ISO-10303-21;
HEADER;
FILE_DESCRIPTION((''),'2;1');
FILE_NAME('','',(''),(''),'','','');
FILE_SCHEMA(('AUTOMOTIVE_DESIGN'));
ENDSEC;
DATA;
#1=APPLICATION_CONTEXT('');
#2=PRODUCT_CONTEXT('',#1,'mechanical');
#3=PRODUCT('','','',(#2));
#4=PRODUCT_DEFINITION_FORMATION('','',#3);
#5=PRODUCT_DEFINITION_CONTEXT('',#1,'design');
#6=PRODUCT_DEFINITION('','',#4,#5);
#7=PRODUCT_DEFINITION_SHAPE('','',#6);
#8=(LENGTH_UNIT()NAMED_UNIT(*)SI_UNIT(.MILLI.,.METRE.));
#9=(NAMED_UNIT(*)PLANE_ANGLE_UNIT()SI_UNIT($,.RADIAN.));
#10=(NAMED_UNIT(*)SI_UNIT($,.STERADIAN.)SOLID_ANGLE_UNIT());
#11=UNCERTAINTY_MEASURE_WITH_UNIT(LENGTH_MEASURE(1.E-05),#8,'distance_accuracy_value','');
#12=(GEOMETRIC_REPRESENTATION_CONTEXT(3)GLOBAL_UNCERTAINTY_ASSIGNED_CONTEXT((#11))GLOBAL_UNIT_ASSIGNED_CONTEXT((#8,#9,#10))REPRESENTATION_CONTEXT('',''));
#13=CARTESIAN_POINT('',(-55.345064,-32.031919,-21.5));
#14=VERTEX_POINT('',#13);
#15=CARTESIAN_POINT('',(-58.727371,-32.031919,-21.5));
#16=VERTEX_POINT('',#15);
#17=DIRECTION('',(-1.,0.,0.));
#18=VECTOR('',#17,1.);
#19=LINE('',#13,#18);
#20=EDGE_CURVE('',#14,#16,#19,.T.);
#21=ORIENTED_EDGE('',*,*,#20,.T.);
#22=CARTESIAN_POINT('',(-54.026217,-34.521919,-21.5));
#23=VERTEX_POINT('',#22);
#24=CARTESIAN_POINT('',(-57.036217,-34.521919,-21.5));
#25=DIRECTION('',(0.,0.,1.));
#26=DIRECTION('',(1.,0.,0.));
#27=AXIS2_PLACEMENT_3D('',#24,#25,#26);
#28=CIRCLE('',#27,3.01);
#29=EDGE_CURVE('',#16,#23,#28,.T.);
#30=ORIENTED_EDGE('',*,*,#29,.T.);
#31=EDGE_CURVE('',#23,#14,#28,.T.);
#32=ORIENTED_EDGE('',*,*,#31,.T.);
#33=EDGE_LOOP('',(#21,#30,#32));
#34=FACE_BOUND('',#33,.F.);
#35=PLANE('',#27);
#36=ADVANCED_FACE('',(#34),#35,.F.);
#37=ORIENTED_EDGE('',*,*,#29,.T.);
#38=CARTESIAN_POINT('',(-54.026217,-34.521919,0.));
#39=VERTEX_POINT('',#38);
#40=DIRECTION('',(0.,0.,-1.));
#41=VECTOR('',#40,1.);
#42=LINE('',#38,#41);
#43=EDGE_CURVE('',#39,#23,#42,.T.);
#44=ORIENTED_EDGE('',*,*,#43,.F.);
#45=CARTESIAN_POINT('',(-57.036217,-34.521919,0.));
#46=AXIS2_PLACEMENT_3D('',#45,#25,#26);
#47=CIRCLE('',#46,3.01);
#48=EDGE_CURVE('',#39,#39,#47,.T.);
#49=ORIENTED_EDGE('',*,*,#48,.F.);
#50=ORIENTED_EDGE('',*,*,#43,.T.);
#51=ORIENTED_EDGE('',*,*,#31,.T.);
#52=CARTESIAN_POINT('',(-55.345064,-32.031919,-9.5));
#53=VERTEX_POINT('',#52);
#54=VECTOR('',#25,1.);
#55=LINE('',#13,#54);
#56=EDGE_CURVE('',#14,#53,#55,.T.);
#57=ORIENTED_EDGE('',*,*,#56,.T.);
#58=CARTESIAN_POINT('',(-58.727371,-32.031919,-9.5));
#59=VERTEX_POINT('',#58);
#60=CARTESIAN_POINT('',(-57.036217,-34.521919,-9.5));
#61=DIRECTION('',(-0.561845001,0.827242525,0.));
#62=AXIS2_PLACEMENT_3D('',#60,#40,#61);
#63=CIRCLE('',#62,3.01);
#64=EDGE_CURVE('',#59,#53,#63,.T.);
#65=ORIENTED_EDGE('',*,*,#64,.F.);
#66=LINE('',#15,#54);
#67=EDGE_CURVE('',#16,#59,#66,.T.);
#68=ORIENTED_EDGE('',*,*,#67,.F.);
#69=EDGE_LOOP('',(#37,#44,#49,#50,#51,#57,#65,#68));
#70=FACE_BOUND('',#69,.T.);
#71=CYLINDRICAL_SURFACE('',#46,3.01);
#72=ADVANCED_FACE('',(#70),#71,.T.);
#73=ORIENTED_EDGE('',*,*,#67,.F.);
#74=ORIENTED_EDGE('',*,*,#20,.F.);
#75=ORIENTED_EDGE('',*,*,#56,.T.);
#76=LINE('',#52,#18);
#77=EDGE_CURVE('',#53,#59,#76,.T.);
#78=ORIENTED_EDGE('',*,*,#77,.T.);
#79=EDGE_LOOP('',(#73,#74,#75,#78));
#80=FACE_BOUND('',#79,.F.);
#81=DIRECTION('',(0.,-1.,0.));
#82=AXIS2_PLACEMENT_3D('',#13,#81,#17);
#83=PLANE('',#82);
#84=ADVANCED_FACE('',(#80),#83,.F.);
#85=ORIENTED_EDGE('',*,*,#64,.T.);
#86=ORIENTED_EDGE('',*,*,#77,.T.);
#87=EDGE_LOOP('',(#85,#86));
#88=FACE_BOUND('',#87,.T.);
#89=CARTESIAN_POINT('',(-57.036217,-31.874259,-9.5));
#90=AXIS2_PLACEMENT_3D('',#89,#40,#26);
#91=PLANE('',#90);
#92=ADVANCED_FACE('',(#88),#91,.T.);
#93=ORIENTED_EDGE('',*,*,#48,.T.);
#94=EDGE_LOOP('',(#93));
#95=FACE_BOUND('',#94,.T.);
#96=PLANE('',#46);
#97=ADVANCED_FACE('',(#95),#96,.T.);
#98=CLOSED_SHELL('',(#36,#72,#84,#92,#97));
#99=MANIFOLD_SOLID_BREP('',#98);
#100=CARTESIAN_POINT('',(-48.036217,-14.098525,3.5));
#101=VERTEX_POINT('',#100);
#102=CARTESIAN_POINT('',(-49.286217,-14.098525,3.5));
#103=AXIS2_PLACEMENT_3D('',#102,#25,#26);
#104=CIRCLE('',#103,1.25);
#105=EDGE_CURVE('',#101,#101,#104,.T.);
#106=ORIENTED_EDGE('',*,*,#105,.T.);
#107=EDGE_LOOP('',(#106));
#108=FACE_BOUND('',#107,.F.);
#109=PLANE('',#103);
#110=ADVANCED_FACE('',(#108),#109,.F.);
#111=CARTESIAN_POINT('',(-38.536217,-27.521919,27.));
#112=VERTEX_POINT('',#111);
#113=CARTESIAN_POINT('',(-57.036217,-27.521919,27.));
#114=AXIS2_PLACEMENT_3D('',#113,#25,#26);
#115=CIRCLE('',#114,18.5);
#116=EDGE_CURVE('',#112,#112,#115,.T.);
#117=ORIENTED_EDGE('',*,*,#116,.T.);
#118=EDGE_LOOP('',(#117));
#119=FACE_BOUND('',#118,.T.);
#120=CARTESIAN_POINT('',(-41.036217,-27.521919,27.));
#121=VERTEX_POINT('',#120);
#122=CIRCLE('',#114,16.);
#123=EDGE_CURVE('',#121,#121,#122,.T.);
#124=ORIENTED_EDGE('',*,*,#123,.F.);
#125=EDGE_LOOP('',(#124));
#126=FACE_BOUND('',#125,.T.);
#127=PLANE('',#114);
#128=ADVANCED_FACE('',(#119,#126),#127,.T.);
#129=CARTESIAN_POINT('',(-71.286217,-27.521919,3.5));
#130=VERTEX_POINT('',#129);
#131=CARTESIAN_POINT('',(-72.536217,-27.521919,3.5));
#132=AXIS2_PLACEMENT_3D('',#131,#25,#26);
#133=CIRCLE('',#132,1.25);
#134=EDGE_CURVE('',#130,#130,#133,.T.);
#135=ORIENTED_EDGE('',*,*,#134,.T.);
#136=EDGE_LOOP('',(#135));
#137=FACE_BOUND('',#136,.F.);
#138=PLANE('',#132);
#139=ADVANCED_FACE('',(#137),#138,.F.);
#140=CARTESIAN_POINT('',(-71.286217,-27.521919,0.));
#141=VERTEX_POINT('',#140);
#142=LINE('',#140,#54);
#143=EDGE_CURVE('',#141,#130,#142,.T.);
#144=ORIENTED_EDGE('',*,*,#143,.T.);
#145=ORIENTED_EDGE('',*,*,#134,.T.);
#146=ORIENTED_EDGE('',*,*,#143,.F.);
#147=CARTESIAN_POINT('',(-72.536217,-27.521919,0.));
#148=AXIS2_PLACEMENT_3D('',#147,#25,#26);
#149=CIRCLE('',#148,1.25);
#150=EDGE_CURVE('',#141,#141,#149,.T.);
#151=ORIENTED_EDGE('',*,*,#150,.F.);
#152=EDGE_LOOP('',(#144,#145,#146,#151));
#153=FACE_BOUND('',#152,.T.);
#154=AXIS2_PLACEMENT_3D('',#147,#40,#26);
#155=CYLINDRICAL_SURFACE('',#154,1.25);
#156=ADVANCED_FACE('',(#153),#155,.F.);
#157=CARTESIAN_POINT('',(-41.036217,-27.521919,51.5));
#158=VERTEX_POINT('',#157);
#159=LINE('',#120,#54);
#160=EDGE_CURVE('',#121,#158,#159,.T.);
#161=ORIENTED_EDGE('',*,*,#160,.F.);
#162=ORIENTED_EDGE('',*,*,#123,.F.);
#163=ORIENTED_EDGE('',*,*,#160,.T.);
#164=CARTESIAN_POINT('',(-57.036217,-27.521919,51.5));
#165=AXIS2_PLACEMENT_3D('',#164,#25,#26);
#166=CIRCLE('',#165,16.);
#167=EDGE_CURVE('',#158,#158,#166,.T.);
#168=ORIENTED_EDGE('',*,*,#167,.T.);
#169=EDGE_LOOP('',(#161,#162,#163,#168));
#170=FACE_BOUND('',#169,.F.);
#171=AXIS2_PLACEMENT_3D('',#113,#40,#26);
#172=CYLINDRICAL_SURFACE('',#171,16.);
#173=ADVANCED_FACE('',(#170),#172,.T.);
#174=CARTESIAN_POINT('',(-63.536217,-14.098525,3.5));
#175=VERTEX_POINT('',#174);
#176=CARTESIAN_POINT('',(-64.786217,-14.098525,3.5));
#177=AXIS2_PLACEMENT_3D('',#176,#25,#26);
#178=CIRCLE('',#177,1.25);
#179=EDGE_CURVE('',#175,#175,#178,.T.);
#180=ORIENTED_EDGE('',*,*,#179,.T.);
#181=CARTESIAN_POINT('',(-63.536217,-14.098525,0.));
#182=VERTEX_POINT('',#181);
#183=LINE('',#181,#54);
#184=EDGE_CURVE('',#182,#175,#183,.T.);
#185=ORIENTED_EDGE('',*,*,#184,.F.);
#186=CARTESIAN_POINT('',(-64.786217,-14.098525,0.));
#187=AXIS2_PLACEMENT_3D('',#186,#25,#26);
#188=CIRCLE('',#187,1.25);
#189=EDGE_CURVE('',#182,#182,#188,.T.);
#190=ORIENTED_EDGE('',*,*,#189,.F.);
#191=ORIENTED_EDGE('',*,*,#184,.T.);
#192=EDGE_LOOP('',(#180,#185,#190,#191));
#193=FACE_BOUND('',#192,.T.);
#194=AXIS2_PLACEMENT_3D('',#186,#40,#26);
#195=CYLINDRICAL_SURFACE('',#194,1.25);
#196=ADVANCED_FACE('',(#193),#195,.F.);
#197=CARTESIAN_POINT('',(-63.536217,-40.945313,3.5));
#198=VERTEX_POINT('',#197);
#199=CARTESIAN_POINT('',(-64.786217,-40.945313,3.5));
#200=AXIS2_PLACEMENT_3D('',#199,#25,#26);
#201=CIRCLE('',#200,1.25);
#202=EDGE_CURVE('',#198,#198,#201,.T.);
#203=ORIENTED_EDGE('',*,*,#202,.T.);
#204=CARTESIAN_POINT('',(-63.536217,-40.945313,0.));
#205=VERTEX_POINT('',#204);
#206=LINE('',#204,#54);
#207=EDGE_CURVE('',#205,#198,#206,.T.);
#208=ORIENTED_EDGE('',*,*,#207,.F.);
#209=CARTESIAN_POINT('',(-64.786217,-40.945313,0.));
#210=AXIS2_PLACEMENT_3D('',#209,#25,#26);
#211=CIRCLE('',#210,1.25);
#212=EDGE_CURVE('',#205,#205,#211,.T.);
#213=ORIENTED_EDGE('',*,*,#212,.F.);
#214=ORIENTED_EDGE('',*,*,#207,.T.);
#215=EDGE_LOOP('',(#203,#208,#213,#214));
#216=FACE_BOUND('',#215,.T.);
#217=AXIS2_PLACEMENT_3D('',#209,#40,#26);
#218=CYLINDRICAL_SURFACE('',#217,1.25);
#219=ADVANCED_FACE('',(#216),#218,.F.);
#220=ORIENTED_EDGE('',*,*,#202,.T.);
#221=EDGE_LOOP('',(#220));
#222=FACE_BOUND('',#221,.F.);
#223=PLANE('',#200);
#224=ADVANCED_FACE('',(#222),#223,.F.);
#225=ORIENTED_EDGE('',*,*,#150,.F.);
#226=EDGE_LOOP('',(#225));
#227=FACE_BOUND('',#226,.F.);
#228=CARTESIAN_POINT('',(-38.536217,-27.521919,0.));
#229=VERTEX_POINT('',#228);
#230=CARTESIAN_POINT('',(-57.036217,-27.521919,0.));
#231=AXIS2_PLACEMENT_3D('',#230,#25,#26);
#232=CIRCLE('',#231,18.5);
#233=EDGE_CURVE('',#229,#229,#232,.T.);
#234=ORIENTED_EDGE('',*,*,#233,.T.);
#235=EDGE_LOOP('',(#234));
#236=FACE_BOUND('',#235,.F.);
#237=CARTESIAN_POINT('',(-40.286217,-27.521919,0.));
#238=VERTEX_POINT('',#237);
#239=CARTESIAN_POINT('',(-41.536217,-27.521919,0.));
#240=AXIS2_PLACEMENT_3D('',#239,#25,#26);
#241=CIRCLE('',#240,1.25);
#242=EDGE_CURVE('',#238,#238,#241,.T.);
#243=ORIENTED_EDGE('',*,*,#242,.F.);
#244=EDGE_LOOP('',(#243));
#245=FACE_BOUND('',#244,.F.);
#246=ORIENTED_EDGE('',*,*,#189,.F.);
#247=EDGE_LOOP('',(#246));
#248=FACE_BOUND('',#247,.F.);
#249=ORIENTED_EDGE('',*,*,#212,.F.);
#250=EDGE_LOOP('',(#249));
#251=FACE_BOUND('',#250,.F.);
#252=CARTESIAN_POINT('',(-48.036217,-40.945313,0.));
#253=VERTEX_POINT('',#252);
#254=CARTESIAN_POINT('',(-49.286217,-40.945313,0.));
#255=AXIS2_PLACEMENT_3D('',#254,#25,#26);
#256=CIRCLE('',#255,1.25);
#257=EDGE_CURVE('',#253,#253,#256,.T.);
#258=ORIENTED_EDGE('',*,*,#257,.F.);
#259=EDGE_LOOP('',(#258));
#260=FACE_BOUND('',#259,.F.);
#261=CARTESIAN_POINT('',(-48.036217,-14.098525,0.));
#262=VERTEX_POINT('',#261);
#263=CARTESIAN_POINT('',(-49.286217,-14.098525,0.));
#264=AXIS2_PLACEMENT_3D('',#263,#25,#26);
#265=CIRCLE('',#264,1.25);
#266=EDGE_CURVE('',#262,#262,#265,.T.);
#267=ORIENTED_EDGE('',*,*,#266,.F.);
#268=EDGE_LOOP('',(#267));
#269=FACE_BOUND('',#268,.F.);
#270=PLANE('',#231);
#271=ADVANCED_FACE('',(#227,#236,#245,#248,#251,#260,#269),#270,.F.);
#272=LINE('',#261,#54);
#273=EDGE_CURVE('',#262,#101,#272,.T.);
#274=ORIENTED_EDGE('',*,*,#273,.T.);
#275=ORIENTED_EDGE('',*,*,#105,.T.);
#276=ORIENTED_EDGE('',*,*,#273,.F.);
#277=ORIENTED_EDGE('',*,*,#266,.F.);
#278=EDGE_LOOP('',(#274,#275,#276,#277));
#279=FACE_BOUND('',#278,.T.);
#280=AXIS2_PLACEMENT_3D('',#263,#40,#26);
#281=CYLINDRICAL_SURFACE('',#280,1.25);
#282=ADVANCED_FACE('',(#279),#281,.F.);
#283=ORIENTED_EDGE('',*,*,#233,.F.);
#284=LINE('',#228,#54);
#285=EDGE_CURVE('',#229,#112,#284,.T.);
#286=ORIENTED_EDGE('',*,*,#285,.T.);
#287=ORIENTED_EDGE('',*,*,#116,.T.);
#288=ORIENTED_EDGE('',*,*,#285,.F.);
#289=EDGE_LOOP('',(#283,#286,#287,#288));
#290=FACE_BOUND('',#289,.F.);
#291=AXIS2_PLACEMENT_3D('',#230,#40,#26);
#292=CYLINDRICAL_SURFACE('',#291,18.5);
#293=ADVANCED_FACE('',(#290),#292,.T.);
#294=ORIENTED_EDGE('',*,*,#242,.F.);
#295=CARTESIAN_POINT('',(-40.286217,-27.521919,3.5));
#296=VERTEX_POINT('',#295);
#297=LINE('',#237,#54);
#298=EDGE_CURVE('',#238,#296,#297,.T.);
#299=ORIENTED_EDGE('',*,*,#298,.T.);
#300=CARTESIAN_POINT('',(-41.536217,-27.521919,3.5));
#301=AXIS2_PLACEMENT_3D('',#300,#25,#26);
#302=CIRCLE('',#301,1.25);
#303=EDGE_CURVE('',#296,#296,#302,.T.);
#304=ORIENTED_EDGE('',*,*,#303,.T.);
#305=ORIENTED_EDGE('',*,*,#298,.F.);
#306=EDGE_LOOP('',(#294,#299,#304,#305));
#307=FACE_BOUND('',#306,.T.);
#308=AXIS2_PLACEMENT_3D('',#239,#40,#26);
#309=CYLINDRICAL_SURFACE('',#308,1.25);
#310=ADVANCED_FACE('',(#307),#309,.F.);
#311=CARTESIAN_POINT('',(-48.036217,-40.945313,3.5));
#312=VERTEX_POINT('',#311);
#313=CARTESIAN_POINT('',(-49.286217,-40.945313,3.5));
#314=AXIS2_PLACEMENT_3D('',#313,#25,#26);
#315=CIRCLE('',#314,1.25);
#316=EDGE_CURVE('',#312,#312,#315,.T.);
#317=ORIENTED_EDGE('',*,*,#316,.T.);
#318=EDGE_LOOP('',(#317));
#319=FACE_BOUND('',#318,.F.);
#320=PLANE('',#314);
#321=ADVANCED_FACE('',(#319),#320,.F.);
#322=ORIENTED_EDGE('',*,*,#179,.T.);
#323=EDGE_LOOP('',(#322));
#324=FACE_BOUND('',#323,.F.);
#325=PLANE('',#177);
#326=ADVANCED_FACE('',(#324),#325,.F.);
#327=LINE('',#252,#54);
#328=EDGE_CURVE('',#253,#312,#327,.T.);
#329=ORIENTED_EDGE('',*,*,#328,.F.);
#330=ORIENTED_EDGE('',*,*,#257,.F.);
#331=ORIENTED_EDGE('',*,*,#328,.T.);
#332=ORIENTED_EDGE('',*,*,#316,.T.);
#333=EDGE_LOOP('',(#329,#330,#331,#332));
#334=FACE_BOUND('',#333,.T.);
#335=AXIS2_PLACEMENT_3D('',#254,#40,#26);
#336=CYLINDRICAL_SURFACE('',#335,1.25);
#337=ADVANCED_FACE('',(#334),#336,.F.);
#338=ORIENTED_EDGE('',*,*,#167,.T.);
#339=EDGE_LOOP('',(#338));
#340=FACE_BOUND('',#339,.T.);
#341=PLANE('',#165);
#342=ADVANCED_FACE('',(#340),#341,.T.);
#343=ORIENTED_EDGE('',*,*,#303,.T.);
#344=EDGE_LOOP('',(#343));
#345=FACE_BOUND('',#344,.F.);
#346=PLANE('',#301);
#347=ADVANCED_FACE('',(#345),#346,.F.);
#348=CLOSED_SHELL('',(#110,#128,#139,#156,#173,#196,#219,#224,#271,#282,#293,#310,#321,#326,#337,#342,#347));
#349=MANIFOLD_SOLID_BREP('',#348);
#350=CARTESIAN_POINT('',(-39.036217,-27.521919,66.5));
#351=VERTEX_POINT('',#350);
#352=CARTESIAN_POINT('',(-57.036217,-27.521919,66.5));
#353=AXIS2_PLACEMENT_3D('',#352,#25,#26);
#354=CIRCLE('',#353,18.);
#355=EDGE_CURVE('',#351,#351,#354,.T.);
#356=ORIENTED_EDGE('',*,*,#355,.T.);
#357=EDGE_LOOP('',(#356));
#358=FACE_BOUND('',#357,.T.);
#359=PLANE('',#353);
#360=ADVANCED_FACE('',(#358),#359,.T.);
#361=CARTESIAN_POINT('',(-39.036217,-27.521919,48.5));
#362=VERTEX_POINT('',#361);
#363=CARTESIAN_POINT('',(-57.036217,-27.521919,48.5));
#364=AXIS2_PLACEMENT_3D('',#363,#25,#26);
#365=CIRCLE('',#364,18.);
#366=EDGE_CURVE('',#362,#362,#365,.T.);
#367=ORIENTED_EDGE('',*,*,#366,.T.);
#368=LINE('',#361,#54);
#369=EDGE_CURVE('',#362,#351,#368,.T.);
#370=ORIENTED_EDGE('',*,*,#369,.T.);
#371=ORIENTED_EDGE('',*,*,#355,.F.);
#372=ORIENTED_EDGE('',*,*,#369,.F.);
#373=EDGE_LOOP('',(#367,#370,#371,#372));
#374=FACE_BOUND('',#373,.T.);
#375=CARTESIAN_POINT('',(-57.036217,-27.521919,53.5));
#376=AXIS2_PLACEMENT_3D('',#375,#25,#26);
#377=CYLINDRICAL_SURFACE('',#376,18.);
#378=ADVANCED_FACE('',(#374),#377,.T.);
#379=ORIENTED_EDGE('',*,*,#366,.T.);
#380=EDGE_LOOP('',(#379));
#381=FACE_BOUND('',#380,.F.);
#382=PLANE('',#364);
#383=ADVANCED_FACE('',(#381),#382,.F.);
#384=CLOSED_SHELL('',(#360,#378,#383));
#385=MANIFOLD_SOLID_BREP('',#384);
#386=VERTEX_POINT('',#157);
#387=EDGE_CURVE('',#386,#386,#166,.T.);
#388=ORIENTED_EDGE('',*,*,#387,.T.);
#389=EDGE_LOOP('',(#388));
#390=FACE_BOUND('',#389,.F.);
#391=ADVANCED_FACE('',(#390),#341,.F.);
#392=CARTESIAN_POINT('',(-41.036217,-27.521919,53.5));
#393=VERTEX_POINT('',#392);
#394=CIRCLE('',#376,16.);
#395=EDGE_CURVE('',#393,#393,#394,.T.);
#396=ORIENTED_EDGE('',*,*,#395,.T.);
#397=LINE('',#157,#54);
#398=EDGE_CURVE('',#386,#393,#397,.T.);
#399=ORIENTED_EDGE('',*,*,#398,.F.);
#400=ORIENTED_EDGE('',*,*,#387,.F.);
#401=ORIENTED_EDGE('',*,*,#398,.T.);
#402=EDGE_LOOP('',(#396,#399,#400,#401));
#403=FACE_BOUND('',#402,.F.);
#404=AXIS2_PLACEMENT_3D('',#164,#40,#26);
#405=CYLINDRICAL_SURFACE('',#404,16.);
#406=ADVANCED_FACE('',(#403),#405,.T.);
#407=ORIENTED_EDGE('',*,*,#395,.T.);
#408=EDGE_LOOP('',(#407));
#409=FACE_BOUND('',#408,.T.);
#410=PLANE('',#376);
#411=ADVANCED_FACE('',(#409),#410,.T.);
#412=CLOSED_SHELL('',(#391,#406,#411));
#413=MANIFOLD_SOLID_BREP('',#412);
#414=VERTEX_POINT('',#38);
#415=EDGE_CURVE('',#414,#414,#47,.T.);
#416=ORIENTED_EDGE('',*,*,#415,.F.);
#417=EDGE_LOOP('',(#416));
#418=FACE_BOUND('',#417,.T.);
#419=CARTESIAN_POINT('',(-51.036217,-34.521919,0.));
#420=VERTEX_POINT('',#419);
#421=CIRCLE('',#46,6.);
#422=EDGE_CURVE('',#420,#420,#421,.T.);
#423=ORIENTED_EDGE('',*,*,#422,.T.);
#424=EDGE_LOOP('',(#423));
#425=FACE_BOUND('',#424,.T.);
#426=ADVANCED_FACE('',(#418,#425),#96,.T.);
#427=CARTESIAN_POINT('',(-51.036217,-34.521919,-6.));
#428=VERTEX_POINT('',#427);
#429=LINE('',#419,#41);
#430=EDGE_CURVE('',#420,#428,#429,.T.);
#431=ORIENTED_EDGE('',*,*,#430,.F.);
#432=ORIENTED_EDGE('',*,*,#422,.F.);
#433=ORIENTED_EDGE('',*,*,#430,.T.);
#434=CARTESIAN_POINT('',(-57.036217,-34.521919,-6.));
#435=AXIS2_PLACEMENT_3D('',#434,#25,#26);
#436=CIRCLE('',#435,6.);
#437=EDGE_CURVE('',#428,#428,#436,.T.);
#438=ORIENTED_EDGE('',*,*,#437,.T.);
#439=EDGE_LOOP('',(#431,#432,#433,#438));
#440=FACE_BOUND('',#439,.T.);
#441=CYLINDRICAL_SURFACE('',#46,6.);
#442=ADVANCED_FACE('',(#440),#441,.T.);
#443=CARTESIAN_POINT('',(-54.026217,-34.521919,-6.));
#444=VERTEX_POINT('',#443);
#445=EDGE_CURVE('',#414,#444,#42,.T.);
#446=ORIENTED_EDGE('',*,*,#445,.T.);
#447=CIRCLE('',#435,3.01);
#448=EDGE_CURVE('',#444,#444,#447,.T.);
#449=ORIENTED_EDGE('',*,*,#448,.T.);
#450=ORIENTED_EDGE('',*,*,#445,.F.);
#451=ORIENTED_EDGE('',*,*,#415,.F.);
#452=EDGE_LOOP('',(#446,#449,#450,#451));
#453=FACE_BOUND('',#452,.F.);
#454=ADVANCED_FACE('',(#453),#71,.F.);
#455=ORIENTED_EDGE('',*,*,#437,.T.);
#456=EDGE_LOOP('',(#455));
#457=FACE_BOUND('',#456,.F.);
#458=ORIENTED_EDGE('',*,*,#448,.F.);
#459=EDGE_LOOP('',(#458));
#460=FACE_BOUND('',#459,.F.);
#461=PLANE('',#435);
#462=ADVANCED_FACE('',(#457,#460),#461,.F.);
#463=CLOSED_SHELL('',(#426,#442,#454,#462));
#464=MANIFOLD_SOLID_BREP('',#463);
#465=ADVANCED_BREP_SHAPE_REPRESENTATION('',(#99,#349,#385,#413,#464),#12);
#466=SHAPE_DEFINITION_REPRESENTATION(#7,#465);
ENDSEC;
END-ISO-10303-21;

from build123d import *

# Parameters (mm, degrees)
F0_R           = 3.01
F1_DEPTH       = 21.5
F0_R_2         = 6
F2_DEPTH       = 6
F0_R_3         = 18.5
F0_R_4         = 1.25
F3_DEPTH       = 27
F4_DEPTH       = 3.5
F7_DEPTH       = 12
F8_R           = 16
F9_DEPTH       = 24.5
F10_R          = 16
F11_DEPTH      = 2
F12_R          = 18
F13_DEPTH      = 13
F13_DEPTH_BACK = 5


with BuildPart() as f1:
    # F0 (on Top) → F1 (new body)
    with BuildSketch(Plane.XY):
        with Locations((-57.0362173021, -34.5219187438)):
            Circle(F0_R)
    extrude(amount=-F1_DEPTH)

    # F6 (on face) → F7 (cut)
    with BuildSketch(Plane(origin=(0, 0, -21.5), x_dir=(1, 0, 0), z_dir=(0, 0, -1))):
        with BuildLine():
            Line((-55.3450638496, 32.0319187438), (-58.7273707546, 32.0319187438))
            ThreePointArc((-58.7273707546, 32.0319187438), (-57.0362173021, 31.5119187438), (-55.3450638496, 32.0319187438))
        make_face()
    extrude(amount=-F7_DEPTH, mode=Mode.SUBTRACT)


with BuildPart() as f2:
    # F0 (on Top) → F2 (new body)
    with BuildSketch(Plane.XY):
        with Locations((-57.0362173021, -34.5219187438)):
            Circle(F0_R_2)
        with Locations((-57.0362173021, -34.5219187438)):
            Circle(F0_R, mode=Mode.SUBTRACT)
    extrude(amount=-F2_DEPTH)


with BuildPart() as f3:
    # F0 (on Top) → F3 (new body)
    with BuildSketch(Plane.XY):
        with Locations((-57.0362173021, -27.5219187438)):
            Circle(F0_R_3)
        with Locations((-64.7862173021, -40.9453125025)):
            Circle(F0_R_4, mode=Mode.SUBTRACT)
        with Locations((-49.2862173021, -40.9453125025)):
            Circle(F0_R_4, mode=Mode.SUBTRACT)
        with Locations((-57.0362173021, -34.5219187438)):
            Circle(F0_R_2, mode=Mode.SUBTRACT)
        with Locations((-72.5362173021, -27.5219187438)):
            Circle(F0_R_4, mode=Mode.SUBTRACT)
        with Locations((-64.7862173021, -14.0985249852)):
            Circle(F0_R_4, mode=Mode.SUBTRACT)
        with Locations((-41.5362173021, -27.5219187438)):
            Circle(F0_R_4, mode=Mode.SUBTRACT)
        with Locations((-49.2862173021, -14.0985249852)):
            Circle(F0_R_4, mode=Mode.SUBTRACT)
        with Locations((-57.0362173021, -34.5219187438)):
            Circle(F0_R_2)
        with Locations((-57.0362173021, -34.5219187438)):
            Circle(F0_R, mode=Mode.SUBTRACT)
        with Locations((-57.0362173021, -34.5219187438)):
            Circle(F0_R)
        with Locations((-64.7862173021, -40.9453125025)):
            Circle(F0_R_4)
        with Locations((-49.2862173021, -40.9453125025)):
            Circle(F0_R_4)
        with Locations((-41.5362173021, -27.5219187438)):
            Circle(F0_R_4)
        with Locations((-49.2862173021, -14.0985249852)):
            Circle(F0_R_4)
        with Locations((-64.7862173021, -14.0985249852)):
            Circle(F0_R_4)
        with Locations((-72.5362173021, -27.5219187438)):
            Circle(F0_R_4)
    extrude(amount=F3_DEPTH)


with BuildPart() as f4:
    # F0 (on Top) → F4 (new body)
    with BuildSketch(Plane.XY):
        with Locations((-64.7862173021, -40.9453125025)):
            Circle(F0_R_4)
    extrude(amount=F4_DEPTH)


with BuildPart() as f4b:
    # F0 (on Top) → F4, piece 2 (new body)
    with BuildSketch(Plane.XY):
        with Locations((-49.2862173021, -40.9453125025)):
            Circle(F0_R_4)
    extrude(amount=F4_DEPTH)


with BuildPart() as f4c:
    # F0 (on Top) → F4, piece 3 (new body)
    with BuildSketch(Plane.XY):
        with Locations((-41.5362173021, -27.5219187438)):
            Circle(F0_R_4)
    extrude(amount=F4_DEPTH)


with BuildPart() as f4d:
    # F0 (on Top) → F4, piece 4 (new body)
    with BuildSketch(Plane.XY):
        with Locations((-49.2862173021, -14.0985249852)):
            Circle(F0_R_4)
    extrude(amount=F4_DEPTH)


with BuildPart() as f4e:
    # F0 (on Top) → F4, piece 5 (new body)
    with BuildSketch(Plane.XY):
        with Locations((-64.7862173021, -14.0985249852)):
            Circle(F0_R_4)
    extrude(amount=F4_DEPTH)


with BuildPart() as f4f:
    # F0 (on Top) → F4, piece 6 (new body)
    with BuildSketch(Plane.XY):
        with Locations((-72.5362173021, -27.5219187438)):
            Circle(F0_R_4)
    extrude(amount=F4_DEPTH)


with BuildPart() as f3_1:
    add(f3.part)

    # F5: cut F4b, F4f, F4, F4e, F4d, F4c
    add(f4b.part, mode=Mode.SUBTRACT)
    add(f4f.part, mode=Mode.SUBTRACT)
    add(f4.part, mode=Mode.SUBTRACT)
    add(f4e.part, mode=Mode.SUBTRACT)
    add(f4d.part, mode=Mode.SUBTRACT)
    add(f4c.part, mode=Mode.SUBTRACT)

    # F8 (on face) → F9 (join)
    with BuildSketch(Plane.XY.offset(27)):
        with Locations((-57.0362173021, -27.5219187438)):
            Circle(F8_R)
    extrude(amount=F9_DEPTH)


with BuildPart() as f11:
    # F10 (on face) → F11 (new body)
    with BuildSketch(Plane.XY.offset(51.5)):
        with Locations((-57.0362173021, -27.5219187438)):
            Circle(F10_R)
    extrude(amount=F11_DEPTH)


with BuildPart() as f13:
    # F12 (on face) → F13 (new body, two sides)
    with BuildSketch(Plane.XY.offset(53.5)) as f13_sk:
        with Locations((-57.0362173021, -27.5219187438)):
            Circle(F12_R)
    extrude(amount=F13_DEPTH)
    extrude(f13_sk.sketch, amount=-F13_DEPTH_BACK)


solid = Compound([f1.part, f2.part, f3_1.part, f11.part, f13.part])
